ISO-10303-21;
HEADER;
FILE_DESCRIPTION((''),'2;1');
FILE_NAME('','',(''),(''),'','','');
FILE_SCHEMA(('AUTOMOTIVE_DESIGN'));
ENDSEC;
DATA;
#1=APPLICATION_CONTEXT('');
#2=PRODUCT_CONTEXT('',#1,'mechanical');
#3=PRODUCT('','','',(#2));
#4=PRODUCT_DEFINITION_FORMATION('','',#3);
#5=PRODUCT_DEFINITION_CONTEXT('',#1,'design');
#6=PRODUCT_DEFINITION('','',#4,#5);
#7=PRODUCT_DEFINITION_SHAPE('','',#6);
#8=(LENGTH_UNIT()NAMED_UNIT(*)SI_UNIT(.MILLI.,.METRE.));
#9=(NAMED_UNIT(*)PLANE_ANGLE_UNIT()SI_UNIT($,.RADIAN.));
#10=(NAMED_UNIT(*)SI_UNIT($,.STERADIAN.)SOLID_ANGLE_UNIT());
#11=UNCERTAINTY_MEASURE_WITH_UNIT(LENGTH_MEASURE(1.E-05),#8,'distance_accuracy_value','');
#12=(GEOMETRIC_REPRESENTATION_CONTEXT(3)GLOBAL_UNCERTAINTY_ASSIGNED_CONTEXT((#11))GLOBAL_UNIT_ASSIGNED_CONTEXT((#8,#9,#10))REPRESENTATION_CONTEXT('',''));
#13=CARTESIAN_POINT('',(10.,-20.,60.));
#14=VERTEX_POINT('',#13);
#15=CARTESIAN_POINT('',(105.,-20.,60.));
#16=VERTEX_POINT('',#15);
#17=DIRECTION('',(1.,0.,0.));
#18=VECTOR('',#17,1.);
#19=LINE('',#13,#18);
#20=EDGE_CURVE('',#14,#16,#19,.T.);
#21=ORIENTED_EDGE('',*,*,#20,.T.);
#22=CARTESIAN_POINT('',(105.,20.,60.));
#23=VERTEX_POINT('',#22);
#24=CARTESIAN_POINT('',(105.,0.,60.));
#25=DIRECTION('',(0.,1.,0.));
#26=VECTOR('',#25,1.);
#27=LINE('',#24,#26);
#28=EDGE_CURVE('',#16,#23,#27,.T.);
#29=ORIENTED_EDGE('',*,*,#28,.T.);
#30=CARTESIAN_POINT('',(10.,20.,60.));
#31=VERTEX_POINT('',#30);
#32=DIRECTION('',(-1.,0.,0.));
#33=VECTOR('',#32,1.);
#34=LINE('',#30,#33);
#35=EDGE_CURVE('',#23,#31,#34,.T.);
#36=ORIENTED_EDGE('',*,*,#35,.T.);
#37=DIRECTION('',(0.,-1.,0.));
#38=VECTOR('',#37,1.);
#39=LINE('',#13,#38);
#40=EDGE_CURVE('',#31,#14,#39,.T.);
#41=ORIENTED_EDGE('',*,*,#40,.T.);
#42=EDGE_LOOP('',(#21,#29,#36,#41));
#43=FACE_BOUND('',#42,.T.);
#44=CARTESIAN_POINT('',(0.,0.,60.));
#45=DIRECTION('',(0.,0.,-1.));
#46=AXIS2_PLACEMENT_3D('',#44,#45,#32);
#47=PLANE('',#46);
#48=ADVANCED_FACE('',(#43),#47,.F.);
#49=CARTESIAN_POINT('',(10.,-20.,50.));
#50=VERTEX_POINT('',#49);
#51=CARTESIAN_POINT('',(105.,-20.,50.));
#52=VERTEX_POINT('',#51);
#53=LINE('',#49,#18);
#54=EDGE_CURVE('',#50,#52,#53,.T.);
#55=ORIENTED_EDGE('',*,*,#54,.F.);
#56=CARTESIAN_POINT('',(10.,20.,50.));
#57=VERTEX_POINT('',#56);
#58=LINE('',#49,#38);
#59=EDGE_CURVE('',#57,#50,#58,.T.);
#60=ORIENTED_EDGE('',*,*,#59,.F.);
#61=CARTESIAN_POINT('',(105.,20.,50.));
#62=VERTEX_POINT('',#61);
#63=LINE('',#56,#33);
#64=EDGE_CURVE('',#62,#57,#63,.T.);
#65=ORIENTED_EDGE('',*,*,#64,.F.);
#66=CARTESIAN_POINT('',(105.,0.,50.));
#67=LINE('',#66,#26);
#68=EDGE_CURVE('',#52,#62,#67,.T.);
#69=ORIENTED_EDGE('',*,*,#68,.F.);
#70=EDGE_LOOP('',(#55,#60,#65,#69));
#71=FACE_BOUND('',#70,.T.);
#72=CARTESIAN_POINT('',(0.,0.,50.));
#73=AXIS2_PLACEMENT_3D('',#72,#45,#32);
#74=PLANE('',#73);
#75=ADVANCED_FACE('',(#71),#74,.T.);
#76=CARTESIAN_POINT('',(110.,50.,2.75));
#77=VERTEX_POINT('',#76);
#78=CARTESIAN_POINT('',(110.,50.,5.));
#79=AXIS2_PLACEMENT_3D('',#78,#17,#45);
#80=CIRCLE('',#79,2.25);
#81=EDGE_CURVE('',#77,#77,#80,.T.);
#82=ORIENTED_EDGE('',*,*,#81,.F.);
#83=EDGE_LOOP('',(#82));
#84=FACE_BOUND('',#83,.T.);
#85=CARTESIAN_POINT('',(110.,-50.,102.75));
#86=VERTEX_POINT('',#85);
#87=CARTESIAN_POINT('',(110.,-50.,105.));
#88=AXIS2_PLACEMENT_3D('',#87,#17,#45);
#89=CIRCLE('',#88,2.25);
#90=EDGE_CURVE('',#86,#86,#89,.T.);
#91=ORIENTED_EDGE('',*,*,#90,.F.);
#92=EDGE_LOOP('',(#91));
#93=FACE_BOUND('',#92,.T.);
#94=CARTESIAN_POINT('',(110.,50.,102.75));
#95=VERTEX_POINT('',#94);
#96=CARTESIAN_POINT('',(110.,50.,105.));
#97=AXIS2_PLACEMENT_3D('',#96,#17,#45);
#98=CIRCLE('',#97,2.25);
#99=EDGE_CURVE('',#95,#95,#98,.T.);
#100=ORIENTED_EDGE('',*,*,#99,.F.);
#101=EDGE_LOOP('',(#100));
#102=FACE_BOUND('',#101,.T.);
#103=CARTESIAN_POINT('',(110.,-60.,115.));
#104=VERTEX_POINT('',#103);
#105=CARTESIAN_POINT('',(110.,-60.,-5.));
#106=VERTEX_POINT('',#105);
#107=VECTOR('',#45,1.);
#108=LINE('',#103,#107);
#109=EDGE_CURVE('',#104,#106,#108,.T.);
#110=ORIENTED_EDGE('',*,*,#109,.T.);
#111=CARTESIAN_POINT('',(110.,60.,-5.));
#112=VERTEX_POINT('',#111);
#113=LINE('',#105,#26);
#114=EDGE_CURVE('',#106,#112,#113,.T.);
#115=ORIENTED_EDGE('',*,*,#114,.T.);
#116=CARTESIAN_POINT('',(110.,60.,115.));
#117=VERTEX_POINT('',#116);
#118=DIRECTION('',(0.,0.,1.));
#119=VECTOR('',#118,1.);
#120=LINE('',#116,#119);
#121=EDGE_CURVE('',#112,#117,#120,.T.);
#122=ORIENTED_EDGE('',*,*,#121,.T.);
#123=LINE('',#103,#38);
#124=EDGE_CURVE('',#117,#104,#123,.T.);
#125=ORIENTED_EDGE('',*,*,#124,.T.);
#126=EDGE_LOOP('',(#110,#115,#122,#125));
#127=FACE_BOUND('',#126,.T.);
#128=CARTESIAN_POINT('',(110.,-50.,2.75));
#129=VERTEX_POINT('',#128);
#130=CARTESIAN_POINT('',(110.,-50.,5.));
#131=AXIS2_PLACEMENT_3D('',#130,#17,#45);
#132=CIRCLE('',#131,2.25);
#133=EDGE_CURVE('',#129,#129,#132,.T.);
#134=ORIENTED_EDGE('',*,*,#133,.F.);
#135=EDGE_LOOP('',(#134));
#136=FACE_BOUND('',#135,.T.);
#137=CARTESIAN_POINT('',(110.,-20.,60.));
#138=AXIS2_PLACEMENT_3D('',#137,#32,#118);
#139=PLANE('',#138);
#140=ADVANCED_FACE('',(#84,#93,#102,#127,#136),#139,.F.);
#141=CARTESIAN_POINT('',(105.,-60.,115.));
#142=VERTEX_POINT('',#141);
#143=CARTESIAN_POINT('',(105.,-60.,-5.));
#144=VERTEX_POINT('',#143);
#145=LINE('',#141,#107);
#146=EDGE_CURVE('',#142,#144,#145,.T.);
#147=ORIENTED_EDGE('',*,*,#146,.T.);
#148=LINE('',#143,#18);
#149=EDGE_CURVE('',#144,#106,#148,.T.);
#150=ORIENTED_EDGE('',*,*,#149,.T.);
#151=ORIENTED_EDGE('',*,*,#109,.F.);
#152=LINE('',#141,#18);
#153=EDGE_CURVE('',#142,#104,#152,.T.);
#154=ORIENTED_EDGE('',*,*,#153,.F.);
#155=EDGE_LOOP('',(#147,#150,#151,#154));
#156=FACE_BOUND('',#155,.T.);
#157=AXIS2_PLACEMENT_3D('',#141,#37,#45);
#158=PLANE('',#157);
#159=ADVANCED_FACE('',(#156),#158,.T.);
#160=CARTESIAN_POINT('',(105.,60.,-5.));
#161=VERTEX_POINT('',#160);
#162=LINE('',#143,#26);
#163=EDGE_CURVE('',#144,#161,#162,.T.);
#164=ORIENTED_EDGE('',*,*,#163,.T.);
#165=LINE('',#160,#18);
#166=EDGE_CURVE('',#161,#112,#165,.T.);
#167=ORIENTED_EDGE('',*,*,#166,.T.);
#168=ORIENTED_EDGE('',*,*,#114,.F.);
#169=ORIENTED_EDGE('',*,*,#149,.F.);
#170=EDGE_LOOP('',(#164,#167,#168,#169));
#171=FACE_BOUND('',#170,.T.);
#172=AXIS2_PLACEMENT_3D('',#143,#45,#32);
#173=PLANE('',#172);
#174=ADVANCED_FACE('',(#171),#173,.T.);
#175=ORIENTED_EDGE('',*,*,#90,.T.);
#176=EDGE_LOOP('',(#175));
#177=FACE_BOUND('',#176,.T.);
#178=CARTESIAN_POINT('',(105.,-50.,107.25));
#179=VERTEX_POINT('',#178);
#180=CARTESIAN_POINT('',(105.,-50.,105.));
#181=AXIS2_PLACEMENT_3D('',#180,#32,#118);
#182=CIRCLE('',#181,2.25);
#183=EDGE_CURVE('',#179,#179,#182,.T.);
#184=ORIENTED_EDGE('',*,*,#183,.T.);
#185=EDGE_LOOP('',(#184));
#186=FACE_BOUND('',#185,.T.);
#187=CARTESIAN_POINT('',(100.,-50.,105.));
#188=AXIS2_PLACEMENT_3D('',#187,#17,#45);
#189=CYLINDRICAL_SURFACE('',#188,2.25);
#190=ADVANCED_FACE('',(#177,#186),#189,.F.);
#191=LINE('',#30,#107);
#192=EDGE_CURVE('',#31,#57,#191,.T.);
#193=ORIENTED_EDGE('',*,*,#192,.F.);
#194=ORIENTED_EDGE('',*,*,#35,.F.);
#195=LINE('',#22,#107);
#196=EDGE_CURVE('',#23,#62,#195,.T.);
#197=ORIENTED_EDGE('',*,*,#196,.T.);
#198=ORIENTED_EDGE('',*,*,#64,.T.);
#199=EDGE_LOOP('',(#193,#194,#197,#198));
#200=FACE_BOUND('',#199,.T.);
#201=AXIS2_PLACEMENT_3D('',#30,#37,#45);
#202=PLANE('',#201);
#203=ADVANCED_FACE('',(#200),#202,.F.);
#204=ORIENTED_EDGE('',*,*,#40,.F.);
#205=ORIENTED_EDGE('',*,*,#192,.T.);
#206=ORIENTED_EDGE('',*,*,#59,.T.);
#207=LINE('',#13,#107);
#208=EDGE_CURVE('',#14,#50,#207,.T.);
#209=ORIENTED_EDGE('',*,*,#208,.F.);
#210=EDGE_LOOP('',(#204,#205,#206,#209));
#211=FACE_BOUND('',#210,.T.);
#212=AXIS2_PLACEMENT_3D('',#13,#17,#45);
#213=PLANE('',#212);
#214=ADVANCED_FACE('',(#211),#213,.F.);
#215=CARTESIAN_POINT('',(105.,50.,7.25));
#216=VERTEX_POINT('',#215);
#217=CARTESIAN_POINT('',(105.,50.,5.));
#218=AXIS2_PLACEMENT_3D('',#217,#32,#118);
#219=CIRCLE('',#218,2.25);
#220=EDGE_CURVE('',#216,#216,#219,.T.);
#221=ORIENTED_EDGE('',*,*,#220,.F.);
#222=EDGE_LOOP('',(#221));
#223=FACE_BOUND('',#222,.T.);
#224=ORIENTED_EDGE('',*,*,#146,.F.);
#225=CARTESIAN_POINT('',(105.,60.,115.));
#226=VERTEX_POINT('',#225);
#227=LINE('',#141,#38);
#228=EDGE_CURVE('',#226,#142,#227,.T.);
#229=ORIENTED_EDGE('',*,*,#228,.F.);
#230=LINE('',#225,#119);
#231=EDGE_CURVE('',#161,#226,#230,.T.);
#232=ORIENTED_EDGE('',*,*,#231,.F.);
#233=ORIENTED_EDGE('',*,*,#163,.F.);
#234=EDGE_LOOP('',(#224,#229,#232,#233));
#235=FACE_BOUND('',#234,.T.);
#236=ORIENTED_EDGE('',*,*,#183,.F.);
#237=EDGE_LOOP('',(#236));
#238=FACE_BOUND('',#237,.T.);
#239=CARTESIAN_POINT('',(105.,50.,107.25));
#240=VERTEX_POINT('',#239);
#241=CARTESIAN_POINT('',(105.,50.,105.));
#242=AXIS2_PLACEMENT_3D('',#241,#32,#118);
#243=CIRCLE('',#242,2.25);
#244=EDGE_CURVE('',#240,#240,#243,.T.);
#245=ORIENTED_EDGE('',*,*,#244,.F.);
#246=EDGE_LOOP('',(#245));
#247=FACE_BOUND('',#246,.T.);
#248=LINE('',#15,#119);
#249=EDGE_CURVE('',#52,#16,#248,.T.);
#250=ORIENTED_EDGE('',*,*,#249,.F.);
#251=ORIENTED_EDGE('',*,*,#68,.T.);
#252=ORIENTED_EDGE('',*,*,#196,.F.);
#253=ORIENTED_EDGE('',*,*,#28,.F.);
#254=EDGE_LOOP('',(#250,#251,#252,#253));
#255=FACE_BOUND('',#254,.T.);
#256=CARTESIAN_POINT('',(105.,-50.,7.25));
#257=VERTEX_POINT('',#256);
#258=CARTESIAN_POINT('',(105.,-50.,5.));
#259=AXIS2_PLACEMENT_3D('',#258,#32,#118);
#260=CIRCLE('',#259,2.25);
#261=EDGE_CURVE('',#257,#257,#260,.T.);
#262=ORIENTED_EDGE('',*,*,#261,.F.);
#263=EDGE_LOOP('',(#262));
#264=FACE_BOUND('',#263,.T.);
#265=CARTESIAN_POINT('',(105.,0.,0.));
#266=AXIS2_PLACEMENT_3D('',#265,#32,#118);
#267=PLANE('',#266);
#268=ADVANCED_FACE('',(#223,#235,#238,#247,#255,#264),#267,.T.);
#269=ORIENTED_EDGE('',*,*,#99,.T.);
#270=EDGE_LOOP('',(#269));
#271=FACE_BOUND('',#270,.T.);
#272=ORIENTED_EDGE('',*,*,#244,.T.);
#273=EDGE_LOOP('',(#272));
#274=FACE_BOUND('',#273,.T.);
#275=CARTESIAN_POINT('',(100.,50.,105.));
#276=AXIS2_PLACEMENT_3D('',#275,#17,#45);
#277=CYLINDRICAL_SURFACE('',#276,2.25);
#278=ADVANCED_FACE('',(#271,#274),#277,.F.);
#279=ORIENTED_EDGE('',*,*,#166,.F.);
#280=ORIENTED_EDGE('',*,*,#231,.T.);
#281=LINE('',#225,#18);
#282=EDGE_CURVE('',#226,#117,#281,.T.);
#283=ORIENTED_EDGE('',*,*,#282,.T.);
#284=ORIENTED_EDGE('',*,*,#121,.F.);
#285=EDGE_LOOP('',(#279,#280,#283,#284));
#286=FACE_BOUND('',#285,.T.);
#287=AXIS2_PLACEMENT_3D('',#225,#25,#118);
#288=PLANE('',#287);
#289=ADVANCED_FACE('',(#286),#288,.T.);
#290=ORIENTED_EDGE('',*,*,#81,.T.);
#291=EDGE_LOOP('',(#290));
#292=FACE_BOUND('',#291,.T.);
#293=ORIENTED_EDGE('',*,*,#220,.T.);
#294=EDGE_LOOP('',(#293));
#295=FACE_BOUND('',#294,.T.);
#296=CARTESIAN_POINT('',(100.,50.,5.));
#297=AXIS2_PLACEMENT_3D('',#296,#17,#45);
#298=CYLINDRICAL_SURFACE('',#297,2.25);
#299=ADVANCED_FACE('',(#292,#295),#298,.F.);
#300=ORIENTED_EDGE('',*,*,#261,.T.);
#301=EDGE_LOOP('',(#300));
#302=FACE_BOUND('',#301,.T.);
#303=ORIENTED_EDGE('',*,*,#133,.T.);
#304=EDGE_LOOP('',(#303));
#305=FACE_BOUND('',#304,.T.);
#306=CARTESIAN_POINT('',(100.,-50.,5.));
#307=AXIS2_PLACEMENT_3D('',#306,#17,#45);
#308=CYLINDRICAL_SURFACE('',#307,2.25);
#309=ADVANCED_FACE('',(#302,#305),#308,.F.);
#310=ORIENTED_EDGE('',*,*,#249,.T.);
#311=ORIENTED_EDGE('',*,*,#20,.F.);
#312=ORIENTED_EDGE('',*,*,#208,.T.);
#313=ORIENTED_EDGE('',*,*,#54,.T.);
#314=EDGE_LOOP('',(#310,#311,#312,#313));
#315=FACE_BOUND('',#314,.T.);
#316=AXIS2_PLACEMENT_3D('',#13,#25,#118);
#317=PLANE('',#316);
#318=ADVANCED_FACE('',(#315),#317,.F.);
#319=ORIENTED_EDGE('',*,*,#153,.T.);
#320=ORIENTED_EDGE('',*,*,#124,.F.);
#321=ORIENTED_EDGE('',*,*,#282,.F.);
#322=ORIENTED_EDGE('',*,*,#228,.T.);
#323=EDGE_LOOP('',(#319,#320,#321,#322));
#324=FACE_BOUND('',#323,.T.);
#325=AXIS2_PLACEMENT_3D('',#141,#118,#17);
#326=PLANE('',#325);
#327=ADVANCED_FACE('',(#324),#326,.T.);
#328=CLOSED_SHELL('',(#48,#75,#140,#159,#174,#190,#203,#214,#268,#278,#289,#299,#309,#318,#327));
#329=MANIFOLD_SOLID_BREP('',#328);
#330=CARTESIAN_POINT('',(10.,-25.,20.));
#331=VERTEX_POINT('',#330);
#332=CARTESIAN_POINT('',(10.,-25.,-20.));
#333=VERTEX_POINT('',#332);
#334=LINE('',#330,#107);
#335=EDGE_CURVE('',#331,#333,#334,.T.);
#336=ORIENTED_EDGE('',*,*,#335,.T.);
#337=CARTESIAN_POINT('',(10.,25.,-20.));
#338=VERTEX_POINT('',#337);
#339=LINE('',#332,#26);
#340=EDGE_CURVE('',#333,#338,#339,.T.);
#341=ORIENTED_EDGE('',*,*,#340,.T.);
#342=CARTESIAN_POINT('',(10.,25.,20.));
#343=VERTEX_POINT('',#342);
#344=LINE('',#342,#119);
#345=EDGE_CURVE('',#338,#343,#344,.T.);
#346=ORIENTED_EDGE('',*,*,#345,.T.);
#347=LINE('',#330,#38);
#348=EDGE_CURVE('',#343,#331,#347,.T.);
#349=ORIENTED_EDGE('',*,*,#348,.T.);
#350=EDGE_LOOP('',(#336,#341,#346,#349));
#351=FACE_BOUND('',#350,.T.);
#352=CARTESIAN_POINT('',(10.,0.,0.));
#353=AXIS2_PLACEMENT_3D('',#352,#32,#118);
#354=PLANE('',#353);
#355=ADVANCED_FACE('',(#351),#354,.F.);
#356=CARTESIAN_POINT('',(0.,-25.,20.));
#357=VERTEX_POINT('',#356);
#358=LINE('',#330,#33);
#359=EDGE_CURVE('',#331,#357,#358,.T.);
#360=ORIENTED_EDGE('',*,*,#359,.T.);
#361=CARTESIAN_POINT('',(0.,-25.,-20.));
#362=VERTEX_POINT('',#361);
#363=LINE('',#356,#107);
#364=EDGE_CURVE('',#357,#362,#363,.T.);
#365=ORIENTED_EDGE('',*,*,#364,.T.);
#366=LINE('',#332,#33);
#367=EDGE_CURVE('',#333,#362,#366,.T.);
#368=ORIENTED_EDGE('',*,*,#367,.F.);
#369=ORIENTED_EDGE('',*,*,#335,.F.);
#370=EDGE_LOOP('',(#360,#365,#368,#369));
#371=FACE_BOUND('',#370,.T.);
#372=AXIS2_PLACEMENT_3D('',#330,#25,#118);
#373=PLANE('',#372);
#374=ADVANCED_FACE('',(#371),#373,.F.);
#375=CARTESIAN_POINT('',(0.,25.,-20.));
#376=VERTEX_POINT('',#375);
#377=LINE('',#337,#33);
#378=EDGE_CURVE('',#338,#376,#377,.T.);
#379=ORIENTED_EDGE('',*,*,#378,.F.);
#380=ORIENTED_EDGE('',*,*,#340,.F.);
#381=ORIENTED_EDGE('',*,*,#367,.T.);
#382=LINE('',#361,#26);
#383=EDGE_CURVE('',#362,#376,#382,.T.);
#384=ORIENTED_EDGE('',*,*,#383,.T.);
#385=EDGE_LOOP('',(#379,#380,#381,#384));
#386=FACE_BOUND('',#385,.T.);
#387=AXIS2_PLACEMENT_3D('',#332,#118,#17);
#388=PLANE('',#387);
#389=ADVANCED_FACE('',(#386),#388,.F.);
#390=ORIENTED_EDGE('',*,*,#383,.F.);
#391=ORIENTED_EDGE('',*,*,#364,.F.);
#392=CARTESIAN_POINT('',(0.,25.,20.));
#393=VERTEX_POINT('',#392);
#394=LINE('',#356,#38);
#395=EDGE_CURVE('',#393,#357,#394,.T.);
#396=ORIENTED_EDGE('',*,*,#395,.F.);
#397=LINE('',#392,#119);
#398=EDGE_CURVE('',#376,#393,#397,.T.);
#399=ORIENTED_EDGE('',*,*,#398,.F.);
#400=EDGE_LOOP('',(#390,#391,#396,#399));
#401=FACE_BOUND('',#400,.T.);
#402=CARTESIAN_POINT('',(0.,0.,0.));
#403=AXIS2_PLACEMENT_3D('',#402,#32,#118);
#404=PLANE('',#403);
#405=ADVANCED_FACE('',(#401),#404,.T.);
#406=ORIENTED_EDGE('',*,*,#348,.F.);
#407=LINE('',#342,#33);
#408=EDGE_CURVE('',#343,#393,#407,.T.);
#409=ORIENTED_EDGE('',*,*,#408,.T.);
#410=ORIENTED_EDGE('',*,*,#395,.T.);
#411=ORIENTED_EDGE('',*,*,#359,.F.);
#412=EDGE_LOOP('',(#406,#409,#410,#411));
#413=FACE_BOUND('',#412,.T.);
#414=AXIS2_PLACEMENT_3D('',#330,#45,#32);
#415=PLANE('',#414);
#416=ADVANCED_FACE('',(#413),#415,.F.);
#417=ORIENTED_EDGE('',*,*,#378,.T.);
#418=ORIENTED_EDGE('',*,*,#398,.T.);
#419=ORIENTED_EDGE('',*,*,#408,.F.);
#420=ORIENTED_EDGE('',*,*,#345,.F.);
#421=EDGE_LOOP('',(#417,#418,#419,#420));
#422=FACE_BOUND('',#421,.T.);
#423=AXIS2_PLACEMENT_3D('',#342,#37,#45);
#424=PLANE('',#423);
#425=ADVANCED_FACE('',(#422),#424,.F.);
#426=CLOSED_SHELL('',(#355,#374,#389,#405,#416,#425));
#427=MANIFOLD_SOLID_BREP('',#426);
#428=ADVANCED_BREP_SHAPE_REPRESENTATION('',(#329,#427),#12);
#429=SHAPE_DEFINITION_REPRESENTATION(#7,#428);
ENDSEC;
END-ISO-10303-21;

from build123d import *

# Parameters (mm, degrees)
SKETCH1_W           = 40
SKETCH1_H           = 50
BOSS_EXTRUDE1_DEPTH = 10
SKETCH2_W           = 100
SKETCH2_H           = 40
BOSS_EXTRUDE2_DEPTH = 10
SKETCH3_W           = 120
SKETCH3_H           = 120
BOSS_EXTRUDE3_DEPTH = 5
SKETCH4_R           = 2.25
CUT_EXTRUDE1_DEPTH  = 10


with BuildPart() as part:
    # Sketch1 → Boss-Extrude1 (new body)
    with BuildSketch(Plane(origin=(0, 0, 0), x_dir=(0, 0, -1), z_dir=(1, 0, 0))):
        Rectangle(SKETCH1_W, SKETCH1_H)
    extrude(amount=BOSS_EXTRUDE1_DEPTH)


with BuildPart() as body_2:
    # Sketch2 → Boss-Extrude2 (new body)
    with BuildSketch(Plane.XY.offset(50)):
        with Locations((60, 0)):
            Rectangle(SKETCH2_W, SKETCH2_H)
    extrude(amount=BOSS_EXTRUDE2_DEPTH)

    # Sketch3 → Boss-Extrude3 (add)
    with BuildSketch(Plane(origin=(110, 0, 0), x_dir=(0, 0, -1), z_dir=(1, 0, 0))):
        with Locations((-55, 0)):
            Rectangle(SKETCH3_W, SKETCH3_H)
    extrude(amount=-BOSS_EXTRUDE3_DEPTH)

    # Sketch4 → Cut-Extrude1 (cut)
    with BuildSketch(Plane(origin=(110, 0, 0), x_dir=(0, 0, -1), z_dir=(1, 0, 0))):
        with Locations((-105, -50)):
            Circle(SKETCH4_R)
        with Locations((-105, 50)):
            Circle(SKETCH4_R)
        with Locations((-5, -50)):
            Circle(SKETCH4_R)
        with Locations((-5, 50)):
            Circle(SKETCH4_R)
    extrude(amount=-CUT_EXTRUDE1_DEPTH, mode=Mode.SUBTRACT)


solid = Compound([part.part, body_2.part])
